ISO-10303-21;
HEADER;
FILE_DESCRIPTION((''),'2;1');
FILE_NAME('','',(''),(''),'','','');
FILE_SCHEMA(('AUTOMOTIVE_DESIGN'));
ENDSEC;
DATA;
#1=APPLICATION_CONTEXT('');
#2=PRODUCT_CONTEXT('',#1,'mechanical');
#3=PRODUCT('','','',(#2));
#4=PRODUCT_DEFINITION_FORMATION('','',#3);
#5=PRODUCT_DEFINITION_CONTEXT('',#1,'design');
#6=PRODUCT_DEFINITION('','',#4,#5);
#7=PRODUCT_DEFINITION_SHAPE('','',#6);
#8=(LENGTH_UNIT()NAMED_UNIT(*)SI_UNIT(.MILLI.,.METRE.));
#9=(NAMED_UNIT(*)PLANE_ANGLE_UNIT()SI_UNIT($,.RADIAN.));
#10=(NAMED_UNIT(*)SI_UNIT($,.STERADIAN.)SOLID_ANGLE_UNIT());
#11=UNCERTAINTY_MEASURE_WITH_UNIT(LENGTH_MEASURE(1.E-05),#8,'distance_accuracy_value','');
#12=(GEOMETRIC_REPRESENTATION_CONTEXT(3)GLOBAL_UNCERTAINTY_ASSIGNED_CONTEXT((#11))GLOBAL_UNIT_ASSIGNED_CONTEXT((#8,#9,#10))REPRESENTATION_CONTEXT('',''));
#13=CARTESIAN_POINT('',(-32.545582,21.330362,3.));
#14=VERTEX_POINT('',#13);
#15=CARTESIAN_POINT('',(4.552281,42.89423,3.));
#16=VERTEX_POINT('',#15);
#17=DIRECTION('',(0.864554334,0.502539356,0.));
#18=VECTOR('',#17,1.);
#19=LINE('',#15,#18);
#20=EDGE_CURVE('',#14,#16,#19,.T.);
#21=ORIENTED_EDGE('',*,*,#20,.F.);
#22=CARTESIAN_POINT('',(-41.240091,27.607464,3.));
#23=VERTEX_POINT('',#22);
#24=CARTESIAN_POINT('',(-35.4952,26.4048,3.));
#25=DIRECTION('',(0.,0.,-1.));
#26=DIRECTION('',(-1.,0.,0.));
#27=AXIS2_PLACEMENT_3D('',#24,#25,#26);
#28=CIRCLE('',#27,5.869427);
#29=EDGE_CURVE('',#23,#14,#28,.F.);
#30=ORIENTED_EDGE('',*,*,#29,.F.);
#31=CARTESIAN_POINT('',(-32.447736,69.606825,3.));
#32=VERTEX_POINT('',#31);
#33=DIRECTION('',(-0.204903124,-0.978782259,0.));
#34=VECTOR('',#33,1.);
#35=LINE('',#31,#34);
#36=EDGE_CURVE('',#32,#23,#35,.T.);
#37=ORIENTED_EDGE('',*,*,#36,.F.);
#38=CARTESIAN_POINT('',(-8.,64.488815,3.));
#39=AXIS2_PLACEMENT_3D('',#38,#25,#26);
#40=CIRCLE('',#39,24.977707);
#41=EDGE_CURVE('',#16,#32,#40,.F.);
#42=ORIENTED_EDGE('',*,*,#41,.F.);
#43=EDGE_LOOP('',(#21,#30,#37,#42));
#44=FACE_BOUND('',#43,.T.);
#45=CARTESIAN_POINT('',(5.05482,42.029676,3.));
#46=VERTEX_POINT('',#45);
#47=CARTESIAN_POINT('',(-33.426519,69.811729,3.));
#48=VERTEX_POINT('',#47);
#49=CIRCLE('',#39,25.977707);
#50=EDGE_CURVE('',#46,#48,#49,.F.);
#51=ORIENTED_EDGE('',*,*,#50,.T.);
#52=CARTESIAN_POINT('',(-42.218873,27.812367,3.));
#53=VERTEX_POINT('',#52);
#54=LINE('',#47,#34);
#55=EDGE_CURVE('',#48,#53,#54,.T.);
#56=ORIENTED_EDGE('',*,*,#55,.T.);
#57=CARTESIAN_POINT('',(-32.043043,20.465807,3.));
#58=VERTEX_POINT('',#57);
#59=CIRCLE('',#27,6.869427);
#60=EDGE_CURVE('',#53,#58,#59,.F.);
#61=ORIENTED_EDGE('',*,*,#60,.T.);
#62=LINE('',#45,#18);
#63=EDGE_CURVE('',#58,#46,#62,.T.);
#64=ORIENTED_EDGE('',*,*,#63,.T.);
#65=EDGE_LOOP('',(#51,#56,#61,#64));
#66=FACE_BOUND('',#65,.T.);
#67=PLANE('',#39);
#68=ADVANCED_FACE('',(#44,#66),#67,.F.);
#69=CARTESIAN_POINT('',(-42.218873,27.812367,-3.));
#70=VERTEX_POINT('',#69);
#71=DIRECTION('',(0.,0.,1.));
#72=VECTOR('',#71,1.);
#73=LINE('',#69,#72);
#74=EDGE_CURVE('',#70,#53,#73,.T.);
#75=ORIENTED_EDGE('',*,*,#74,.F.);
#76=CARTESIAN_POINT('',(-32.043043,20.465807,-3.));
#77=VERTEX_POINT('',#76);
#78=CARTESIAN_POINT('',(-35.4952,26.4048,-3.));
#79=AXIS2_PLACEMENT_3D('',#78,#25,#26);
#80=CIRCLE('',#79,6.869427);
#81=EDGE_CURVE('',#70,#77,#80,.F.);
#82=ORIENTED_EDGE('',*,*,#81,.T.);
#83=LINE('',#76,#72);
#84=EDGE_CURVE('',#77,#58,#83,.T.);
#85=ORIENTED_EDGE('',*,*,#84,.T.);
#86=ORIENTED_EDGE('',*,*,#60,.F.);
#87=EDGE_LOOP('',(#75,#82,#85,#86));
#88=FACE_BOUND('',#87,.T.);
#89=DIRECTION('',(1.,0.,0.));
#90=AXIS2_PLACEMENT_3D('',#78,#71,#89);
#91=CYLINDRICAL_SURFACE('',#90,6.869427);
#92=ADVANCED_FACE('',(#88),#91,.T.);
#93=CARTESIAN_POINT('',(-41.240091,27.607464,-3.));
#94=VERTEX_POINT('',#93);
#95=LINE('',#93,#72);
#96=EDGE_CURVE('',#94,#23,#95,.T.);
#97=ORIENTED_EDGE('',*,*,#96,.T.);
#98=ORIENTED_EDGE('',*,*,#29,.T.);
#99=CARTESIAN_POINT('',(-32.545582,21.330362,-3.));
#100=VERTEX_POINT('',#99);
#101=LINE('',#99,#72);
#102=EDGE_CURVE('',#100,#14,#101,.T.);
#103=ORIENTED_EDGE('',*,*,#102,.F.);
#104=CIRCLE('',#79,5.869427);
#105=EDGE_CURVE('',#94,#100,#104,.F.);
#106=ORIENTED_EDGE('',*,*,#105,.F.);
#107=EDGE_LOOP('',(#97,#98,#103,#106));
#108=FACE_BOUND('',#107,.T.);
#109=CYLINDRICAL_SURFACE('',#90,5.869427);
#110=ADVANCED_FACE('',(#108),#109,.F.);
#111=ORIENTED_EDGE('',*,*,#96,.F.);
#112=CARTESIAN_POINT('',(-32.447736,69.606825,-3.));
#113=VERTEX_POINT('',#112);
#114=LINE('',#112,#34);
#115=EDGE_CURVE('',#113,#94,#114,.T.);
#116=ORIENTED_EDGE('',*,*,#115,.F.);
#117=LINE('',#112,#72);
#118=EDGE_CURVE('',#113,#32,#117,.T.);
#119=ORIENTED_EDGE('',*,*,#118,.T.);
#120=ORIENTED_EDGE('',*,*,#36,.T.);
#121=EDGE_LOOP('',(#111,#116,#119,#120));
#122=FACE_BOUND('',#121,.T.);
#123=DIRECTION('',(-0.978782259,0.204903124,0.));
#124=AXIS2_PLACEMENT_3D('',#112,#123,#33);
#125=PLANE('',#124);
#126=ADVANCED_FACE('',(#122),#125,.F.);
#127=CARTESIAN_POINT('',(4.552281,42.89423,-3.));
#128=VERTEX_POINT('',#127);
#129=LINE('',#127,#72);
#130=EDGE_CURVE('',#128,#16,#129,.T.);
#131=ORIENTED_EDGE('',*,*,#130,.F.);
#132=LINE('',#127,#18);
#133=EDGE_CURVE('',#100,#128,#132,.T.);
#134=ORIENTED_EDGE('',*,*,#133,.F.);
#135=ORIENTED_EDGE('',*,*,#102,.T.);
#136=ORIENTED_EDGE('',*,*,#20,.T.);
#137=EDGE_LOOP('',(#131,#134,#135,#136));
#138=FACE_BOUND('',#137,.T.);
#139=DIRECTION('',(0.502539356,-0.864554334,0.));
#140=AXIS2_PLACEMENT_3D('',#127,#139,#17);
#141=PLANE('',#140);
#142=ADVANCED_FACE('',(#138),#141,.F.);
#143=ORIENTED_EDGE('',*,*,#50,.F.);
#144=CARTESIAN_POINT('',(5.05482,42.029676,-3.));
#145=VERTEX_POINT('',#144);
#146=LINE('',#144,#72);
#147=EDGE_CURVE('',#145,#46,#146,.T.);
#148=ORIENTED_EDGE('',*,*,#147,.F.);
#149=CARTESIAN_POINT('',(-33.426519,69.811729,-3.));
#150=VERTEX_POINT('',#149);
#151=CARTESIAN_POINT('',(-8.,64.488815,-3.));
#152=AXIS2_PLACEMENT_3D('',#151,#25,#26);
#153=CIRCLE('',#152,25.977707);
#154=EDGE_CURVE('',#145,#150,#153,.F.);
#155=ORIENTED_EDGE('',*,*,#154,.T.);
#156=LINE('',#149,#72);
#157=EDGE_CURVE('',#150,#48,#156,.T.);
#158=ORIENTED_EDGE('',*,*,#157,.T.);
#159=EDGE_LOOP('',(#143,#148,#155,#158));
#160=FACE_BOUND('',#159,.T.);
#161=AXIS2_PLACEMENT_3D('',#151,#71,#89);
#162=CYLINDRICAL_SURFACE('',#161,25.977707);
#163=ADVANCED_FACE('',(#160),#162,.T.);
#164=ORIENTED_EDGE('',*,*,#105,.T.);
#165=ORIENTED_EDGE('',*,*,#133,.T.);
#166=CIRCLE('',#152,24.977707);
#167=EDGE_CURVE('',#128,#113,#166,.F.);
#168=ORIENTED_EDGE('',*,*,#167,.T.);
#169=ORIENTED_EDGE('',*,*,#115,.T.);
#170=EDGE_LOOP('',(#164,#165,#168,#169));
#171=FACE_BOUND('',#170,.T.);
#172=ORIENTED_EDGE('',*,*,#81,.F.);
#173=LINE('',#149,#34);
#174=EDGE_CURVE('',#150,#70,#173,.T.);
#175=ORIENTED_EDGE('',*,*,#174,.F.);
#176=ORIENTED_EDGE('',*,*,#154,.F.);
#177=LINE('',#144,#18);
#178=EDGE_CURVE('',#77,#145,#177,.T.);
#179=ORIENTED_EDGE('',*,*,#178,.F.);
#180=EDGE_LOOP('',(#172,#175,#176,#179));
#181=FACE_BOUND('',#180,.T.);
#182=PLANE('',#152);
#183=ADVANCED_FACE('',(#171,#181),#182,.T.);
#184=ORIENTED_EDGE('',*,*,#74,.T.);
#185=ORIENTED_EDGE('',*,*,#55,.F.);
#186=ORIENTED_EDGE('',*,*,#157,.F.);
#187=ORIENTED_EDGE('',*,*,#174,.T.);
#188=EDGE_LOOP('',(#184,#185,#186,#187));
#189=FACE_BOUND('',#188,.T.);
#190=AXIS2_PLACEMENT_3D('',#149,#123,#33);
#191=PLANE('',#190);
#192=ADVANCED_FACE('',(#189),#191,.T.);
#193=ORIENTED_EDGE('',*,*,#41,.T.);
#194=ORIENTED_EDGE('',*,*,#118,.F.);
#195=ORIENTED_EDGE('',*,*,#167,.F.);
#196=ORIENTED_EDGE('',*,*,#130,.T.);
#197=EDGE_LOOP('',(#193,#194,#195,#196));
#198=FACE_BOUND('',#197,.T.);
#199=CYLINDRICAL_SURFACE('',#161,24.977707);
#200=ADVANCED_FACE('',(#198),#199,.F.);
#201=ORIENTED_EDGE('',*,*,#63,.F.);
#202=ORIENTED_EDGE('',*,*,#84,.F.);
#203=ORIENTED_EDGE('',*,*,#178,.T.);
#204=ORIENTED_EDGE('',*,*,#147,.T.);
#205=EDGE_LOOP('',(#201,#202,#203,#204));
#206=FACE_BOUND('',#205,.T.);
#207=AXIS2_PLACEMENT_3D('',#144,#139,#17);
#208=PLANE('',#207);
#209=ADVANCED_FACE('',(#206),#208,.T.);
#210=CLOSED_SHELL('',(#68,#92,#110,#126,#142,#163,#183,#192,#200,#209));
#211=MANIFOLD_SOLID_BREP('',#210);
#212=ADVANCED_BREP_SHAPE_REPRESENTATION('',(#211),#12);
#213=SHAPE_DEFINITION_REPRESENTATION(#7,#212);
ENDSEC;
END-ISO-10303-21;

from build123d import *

# Parameters (mm, degrees)
EXTRUDE_THIN1_DEPTH      = 3
EXTRUDE_THIN1_DEPTH_BACK = 3


with BuildPart() as part:
    # Sketch2 → Extrude-Thin1 (new, two sides)
    with BuildSketch(Plane.XY) as extrude_thin1_sk:
        with BuildLine():
            Line((-42.218873031, 27.812367004), (-33.426518735, 69.811728506))
            ThreePointArc((-33.426518735, 69.811728506), (7.206095545, 85.551006884), (5.054820151, 42.029676007))
            Line((5.054820151, 42.029676007), (-32.043042704, 20.465807333))
            ThreePointArc((-32.043042704, 20.465807333), (-39.516230782, 20.835209769), (-42.218873031, 27.812367004))
        make_face()
        with BuildLine():
            Line((-41.240090772, 27.60746388), (-32.447736476, 69.606825381))
            ThreePointArc((-32.447736476, 69.606825381), (6.620743822, 84.740227406), (4.552280795, 42.894230341))
            Line((4.552280795, 42.894230341), (-32.54558206, 21.330361667))
            ThreePointArc((-32.54558206, 21.330361667), (-38.93087906, 21.645989246), (-41.240090772, 27.60746388))
        make_face(mode=Mode.SUBTRACT)
    extrude(amount=EXTRUDE_THIN1_DEPTH)
    extrude(extrude_thin1_sk.sketch, amount=-EXTRUDE_THIN1_DEPTH_BACK)


solid = part.part
